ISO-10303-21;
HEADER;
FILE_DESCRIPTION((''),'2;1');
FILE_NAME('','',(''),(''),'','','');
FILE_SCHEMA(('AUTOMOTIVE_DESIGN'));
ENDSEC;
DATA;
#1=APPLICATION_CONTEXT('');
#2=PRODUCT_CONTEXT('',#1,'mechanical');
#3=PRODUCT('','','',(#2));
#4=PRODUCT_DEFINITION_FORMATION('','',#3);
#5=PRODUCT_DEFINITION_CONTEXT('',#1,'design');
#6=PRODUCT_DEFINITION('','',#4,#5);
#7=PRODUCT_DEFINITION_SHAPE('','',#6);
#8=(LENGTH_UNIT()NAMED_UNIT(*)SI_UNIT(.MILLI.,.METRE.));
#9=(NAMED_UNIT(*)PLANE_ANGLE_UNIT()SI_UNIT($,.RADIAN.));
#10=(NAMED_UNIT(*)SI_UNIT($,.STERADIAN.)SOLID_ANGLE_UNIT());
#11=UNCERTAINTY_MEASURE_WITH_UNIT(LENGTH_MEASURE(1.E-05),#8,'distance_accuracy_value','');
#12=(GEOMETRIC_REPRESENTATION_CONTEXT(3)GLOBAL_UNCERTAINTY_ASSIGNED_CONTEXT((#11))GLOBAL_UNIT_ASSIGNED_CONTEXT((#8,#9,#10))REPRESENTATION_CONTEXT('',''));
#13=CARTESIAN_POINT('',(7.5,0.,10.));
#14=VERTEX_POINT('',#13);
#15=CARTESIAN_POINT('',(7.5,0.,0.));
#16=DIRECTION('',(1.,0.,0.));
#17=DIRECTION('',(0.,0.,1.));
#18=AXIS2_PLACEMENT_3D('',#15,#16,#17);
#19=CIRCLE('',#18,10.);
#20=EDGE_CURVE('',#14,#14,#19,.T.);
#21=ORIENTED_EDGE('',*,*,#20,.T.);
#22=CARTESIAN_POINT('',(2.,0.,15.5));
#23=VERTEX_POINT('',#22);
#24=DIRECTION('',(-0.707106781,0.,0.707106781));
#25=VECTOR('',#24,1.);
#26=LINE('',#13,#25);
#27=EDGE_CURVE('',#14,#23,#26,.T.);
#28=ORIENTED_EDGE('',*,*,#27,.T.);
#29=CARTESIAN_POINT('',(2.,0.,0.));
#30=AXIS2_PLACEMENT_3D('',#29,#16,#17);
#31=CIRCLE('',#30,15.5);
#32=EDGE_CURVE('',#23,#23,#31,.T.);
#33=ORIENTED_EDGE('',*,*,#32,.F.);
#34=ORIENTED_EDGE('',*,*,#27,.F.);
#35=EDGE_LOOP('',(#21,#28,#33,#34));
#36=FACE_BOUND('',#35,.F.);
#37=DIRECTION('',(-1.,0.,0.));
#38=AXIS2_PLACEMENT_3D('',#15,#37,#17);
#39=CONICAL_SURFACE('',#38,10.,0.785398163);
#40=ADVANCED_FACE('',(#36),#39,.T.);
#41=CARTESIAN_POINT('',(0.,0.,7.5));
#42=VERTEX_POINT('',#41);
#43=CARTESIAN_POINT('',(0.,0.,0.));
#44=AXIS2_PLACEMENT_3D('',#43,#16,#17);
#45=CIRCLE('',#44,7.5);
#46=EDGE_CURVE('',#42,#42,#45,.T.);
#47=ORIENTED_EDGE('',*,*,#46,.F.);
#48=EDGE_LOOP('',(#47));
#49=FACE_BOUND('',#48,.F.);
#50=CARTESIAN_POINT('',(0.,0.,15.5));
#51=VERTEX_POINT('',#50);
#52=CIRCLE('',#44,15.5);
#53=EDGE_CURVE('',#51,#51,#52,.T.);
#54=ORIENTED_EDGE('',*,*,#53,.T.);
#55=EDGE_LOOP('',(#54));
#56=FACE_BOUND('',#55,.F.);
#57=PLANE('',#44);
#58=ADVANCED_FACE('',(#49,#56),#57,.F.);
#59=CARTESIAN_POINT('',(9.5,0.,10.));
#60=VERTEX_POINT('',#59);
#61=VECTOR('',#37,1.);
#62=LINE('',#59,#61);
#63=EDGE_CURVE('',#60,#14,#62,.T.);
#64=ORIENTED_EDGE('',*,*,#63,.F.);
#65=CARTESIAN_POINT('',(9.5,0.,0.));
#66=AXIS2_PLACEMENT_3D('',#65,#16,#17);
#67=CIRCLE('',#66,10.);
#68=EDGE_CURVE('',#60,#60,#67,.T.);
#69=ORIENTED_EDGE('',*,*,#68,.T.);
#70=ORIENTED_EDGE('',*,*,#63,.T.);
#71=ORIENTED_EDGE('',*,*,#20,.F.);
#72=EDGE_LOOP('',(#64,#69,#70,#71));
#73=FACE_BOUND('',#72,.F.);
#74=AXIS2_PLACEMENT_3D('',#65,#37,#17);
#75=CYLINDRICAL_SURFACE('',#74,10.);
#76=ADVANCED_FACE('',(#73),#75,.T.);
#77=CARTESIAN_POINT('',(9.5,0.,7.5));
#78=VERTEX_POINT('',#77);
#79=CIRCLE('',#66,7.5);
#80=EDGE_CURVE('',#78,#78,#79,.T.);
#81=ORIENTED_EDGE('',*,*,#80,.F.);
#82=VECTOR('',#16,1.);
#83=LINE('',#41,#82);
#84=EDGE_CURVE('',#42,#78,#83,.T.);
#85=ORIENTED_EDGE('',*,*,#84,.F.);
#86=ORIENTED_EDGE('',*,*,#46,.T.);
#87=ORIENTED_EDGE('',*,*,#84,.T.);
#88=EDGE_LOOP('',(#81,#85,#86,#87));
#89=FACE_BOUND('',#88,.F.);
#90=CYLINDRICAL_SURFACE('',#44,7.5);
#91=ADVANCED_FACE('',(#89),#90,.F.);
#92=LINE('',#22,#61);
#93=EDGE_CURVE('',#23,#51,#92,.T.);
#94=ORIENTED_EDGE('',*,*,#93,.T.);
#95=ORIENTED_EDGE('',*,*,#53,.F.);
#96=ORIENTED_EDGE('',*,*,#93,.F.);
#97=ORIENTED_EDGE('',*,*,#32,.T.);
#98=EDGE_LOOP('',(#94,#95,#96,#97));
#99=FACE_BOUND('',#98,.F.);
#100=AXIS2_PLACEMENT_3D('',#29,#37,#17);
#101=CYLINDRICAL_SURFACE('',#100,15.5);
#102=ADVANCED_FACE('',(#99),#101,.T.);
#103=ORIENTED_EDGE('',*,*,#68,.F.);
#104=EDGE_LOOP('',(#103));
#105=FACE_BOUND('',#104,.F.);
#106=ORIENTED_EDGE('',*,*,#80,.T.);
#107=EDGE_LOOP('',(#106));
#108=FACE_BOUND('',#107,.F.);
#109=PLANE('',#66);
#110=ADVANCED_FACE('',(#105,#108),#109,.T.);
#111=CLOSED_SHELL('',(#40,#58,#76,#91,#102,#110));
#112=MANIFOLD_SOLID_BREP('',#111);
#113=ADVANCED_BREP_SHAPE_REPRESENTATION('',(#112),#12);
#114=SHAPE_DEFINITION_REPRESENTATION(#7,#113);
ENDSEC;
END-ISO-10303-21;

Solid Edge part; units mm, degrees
sketch "Sketch1" plane through (0, 0, 0) normal (0, -1, 0) x (1, 0, 0)
  line L0 (0, 7.5) -> (9.5, 7.5)
  line L1 (9.5, 7.5) -> (9.5, 10)
  line L2 (9.5, 10) -> (7.5, 10)
  line L3 (7.5, 10) -> (2, 15.5)
  line L4 (2, 15.5) -> (0, 15.5)
  line L5 (0, 15.5) -> (0, 7.5)
  dimension "D1" = 7.5
  dimension "D2" = 15.5
  dimension "D3" = 9.5
  dimension "D4" = 2
  dimension "D5" = 10
  dimension "D6" = 5.5
revolve "RevolvedProtrusion1" add sketch "Sketch1" angle 360 about axis through (0, 0, 0) along (1, 0, 0)
properties part number "1976-1300-004" material "Aluminio, 7075-T6"
